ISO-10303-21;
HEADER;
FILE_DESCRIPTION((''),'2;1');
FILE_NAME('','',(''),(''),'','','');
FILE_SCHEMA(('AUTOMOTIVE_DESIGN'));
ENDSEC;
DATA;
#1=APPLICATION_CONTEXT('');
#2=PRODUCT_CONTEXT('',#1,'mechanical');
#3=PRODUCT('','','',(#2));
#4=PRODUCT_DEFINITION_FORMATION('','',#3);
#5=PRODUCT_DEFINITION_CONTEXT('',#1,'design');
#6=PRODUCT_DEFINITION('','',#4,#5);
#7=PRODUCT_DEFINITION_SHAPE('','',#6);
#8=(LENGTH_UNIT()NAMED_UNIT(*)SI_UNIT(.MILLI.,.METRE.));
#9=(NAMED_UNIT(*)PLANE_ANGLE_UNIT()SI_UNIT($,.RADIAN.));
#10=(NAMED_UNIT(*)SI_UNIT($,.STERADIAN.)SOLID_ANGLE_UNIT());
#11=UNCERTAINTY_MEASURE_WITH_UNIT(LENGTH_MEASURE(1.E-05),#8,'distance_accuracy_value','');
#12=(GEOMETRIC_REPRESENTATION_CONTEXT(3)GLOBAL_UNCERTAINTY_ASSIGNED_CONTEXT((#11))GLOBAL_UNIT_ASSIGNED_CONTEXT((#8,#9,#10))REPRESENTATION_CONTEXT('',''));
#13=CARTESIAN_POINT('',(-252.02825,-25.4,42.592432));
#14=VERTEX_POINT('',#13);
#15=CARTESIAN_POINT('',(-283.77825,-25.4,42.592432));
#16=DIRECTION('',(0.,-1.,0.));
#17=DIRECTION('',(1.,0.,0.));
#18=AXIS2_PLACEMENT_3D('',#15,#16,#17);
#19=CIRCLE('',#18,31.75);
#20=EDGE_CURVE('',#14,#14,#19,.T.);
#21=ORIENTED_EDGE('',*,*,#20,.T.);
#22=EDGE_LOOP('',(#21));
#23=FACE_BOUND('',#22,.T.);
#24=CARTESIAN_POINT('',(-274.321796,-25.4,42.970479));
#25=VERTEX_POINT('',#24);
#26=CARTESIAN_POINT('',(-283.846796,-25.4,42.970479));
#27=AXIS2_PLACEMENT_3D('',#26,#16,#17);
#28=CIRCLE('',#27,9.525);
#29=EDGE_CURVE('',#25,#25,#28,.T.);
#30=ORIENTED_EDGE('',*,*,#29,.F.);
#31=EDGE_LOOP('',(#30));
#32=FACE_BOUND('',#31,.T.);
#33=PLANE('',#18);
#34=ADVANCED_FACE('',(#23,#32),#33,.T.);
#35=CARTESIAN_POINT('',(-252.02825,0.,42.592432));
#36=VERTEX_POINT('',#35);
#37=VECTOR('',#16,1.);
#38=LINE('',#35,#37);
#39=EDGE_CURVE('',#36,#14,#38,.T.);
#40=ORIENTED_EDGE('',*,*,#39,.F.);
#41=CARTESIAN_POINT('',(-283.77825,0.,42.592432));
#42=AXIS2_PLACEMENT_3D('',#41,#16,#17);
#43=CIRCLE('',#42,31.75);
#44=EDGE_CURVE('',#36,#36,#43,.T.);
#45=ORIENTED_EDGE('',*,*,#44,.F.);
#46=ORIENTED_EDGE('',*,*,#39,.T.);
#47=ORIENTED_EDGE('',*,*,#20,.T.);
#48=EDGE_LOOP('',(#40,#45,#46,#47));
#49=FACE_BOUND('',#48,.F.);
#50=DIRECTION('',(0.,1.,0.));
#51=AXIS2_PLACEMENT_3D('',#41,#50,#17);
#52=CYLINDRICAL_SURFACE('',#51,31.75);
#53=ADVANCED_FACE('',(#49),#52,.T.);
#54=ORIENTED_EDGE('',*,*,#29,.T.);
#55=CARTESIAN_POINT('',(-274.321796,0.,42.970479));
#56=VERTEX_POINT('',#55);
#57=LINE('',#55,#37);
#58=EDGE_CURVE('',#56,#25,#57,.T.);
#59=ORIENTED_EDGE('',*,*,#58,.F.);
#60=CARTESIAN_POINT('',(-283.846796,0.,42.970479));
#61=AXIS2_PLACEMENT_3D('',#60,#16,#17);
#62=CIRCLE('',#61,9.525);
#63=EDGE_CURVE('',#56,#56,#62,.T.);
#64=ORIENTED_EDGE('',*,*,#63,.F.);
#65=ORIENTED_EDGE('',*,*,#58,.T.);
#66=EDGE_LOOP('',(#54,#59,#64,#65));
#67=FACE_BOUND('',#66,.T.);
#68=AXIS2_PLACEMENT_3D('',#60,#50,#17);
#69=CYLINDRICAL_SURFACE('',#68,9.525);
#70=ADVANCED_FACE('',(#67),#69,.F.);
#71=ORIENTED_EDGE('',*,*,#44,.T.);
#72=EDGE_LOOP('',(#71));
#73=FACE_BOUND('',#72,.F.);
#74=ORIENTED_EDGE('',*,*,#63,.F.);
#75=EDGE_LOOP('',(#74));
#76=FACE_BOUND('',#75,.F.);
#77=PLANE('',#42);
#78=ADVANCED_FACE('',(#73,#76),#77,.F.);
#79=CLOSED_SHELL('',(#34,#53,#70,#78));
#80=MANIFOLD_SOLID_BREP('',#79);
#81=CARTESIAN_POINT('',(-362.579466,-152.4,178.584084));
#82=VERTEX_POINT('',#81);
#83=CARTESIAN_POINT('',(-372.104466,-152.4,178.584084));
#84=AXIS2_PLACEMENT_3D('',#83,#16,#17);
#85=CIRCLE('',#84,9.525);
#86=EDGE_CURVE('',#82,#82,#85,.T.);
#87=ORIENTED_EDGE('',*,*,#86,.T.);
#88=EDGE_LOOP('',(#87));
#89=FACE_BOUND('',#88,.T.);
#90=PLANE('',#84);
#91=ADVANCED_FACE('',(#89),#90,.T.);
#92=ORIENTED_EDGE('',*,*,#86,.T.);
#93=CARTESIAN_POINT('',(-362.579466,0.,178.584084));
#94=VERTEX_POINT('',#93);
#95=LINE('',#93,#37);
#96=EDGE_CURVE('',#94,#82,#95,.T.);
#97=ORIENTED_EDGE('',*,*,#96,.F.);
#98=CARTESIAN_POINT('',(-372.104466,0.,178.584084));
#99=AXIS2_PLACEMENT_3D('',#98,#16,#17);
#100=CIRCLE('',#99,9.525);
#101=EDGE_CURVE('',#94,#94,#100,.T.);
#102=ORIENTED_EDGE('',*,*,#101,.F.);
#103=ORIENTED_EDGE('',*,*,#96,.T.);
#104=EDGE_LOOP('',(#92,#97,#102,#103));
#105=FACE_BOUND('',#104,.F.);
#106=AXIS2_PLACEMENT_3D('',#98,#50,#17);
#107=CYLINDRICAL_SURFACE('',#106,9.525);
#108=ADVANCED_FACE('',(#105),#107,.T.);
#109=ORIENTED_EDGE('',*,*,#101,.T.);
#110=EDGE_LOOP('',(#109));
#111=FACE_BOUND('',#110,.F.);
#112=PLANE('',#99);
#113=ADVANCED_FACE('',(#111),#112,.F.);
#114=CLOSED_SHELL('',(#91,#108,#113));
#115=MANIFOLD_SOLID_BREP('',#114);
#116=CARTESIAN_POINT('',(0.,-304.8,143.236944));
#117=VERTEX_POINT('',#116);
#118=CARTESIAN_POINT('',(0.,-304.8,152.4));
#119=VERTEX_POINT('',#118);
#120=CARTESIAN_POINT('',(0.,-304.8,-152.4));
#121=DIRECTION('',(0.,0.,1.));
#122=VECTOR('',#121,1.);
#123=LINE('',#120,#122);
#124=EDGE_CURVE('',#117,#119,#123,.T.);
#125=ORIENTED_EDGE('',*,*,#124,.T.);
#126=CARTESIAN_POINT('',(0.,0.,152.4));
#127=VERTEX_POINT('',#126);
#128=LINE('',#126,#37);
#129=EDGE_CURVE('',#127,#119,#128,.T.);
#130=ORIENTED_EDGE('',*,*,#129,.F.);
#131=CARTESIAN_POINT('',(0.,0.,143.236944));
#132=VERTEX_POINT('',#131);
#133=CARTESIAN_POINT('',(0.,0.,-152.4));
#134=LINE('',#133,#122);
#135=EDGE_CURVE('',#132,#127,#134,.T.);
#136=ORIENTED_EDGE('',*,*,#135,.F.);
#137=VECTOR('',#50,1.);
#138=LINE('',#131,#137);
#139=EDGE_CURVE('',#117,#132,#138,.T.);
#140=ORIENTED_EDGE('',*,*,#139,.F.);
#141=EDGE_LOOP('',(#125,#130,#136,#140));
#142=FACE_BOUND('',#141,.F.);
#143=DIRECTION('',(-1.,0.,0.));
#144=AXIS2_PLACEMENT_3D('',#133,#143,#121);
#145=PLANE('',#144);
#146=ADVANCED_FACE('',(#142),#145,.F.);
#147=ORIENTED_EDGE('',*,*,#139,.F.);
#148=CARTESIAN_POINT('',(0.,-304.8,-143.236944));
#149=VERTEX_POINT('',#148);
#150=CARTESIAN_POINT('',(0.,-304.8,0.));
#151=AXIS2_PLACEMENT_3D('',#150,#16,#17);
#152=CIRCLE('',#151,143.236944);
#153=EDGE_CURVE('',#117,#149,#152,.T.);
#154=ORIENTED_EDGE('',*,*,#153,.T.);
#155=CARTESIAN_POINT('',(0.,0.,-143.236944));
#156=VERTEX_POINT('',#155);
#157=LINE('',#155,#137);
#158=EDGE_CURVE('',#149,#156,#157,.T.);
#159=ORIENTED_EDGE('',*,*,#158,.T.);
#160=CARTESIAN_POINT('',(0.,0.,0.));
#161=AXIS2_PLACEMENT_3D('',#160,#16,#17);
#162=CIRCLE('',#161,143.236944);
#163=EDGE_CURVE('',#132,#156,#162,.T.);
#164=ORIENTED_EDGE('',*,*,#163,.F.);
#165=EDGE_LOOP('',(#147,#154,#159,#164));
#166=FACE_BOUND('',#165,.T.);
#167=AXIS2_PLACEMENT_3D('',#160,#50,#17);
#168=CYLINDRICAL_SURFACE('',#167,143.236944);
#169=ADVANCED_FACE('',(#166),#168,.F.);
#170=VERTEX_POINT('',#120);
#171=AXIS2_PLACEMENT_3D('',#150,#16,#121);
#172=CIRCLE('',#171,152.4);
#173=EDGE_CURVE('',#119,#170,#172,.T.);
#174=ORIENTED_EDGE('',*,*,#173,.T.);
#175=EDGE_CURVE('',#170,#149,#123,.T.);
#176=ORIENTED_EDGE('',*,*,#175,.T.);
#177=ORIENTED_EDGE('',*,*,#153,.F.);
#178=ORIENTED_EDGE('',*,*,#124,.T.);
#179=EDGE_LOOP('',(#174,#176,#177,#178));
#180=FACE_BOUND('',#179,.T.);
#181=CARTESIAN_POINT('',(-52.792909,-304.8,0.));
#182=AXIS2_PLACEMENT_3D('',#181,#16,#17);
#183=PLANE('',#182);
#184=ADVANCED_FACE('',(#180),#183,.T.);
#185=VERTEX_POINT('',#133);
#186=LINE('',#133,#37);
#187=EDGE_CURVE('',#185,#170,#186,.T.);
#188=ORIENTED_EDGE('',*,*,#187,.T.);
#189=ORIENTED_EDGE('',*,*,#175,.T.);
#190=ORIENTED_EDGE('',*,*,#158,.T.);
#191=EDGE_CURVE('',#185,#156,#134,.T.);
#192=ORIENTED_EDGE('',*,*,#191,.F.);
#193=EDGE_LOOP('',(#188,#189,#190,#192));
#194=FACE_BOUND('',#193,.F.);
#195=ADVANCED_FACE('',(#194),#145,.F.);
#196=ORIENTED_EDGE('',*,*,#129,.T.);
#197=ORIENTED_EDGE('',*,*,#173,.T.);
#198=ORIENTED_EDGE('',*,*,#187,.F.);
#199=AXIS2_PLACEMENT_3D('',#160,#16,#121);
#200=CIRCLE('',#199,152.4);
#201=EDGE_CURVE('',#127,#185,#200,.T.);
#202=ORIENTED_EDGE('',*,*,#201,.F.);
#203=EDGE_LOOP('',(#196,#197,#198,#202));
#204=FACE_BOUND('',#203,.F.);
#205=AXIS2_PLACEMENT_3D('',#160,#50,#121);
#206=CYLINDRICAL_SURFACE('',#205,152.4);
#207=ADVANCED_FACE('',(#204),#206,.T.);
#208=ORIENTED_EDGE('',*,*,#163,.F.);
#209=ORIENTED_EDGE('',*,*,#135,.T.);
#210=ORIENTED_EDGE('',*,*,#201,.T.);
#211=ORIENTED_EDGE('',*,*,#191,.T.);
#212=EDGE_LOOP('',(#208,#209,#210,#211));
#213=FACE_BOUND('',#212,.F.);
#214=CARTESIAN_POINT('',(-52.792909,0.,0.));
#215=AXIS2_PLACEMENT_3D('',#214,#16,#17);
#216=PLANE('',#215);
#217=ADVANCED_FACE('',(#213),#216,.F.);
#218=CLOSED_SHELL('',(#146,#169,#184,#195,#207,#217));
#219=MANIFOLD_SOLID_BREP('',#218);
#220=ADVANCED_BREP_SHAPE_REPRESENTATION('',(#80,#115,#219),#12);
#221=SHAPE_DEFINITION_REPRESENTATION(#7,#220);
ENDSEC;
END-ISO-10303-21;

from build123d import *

# Parameters (mm, degrees)
F1_DEPTH = 304.8
F2_R     = 143.236944
F3_DEPTH = 304.8
F4_R     = 9.525
F5_DEPTH = 152.4
F6_R     = 31.75
F7_DEPTH = 25.4
F8_R     = 9.525
F9_DEPTH = 25.4


with BuildPart() as f1:
    # F0 (on Front) → F1 (new body)
    with BuildSketch(Plane.XZ):
        with BuildLine():
            Line((0, -152.4), (0, 152.4))
            ThreePointArc((0, 152.4), (-152.4, 0), (0, -152.4))
        make_face()
    extrude(amount=F1_DEPTH)

    # F2 (on Front) → F3 (cut)
    with BuildSketch(Plane.XZ):
        Circle(F2_R)
    extrude(amount=F3_DEPTH, mode=Mode.SUBTRACT)


with BuildPart() as f5:
    # F4 (on Front) → F5 (new body)
    with BuildSketch(Plane.XZ):
        with Locations((-372.104466, 178.584084)):
            Circle(F4_R)
    extrude(amount=F5_DEPTH)


with BuildPart() as f7:
    # F6 (on Front) → F7 (new body)
    with BuildSketch(Plane.XZ):
        with Locations((-283.77825, 42.592432)):
            Circle(F6_R)
    extrude(amount=F7_DEPTH)

    # F8 (on Front) → F9 (cut)
    with BuildSketch(Plane.XZ):
        with Locations((-283.846796, 42.970479)):
            Circle(F8_R)
    extrude(amount=F9_DEPTH, mode=Mode.SUBTRACT)


solid = Compound([f1.part, f5.part, f7.part])
